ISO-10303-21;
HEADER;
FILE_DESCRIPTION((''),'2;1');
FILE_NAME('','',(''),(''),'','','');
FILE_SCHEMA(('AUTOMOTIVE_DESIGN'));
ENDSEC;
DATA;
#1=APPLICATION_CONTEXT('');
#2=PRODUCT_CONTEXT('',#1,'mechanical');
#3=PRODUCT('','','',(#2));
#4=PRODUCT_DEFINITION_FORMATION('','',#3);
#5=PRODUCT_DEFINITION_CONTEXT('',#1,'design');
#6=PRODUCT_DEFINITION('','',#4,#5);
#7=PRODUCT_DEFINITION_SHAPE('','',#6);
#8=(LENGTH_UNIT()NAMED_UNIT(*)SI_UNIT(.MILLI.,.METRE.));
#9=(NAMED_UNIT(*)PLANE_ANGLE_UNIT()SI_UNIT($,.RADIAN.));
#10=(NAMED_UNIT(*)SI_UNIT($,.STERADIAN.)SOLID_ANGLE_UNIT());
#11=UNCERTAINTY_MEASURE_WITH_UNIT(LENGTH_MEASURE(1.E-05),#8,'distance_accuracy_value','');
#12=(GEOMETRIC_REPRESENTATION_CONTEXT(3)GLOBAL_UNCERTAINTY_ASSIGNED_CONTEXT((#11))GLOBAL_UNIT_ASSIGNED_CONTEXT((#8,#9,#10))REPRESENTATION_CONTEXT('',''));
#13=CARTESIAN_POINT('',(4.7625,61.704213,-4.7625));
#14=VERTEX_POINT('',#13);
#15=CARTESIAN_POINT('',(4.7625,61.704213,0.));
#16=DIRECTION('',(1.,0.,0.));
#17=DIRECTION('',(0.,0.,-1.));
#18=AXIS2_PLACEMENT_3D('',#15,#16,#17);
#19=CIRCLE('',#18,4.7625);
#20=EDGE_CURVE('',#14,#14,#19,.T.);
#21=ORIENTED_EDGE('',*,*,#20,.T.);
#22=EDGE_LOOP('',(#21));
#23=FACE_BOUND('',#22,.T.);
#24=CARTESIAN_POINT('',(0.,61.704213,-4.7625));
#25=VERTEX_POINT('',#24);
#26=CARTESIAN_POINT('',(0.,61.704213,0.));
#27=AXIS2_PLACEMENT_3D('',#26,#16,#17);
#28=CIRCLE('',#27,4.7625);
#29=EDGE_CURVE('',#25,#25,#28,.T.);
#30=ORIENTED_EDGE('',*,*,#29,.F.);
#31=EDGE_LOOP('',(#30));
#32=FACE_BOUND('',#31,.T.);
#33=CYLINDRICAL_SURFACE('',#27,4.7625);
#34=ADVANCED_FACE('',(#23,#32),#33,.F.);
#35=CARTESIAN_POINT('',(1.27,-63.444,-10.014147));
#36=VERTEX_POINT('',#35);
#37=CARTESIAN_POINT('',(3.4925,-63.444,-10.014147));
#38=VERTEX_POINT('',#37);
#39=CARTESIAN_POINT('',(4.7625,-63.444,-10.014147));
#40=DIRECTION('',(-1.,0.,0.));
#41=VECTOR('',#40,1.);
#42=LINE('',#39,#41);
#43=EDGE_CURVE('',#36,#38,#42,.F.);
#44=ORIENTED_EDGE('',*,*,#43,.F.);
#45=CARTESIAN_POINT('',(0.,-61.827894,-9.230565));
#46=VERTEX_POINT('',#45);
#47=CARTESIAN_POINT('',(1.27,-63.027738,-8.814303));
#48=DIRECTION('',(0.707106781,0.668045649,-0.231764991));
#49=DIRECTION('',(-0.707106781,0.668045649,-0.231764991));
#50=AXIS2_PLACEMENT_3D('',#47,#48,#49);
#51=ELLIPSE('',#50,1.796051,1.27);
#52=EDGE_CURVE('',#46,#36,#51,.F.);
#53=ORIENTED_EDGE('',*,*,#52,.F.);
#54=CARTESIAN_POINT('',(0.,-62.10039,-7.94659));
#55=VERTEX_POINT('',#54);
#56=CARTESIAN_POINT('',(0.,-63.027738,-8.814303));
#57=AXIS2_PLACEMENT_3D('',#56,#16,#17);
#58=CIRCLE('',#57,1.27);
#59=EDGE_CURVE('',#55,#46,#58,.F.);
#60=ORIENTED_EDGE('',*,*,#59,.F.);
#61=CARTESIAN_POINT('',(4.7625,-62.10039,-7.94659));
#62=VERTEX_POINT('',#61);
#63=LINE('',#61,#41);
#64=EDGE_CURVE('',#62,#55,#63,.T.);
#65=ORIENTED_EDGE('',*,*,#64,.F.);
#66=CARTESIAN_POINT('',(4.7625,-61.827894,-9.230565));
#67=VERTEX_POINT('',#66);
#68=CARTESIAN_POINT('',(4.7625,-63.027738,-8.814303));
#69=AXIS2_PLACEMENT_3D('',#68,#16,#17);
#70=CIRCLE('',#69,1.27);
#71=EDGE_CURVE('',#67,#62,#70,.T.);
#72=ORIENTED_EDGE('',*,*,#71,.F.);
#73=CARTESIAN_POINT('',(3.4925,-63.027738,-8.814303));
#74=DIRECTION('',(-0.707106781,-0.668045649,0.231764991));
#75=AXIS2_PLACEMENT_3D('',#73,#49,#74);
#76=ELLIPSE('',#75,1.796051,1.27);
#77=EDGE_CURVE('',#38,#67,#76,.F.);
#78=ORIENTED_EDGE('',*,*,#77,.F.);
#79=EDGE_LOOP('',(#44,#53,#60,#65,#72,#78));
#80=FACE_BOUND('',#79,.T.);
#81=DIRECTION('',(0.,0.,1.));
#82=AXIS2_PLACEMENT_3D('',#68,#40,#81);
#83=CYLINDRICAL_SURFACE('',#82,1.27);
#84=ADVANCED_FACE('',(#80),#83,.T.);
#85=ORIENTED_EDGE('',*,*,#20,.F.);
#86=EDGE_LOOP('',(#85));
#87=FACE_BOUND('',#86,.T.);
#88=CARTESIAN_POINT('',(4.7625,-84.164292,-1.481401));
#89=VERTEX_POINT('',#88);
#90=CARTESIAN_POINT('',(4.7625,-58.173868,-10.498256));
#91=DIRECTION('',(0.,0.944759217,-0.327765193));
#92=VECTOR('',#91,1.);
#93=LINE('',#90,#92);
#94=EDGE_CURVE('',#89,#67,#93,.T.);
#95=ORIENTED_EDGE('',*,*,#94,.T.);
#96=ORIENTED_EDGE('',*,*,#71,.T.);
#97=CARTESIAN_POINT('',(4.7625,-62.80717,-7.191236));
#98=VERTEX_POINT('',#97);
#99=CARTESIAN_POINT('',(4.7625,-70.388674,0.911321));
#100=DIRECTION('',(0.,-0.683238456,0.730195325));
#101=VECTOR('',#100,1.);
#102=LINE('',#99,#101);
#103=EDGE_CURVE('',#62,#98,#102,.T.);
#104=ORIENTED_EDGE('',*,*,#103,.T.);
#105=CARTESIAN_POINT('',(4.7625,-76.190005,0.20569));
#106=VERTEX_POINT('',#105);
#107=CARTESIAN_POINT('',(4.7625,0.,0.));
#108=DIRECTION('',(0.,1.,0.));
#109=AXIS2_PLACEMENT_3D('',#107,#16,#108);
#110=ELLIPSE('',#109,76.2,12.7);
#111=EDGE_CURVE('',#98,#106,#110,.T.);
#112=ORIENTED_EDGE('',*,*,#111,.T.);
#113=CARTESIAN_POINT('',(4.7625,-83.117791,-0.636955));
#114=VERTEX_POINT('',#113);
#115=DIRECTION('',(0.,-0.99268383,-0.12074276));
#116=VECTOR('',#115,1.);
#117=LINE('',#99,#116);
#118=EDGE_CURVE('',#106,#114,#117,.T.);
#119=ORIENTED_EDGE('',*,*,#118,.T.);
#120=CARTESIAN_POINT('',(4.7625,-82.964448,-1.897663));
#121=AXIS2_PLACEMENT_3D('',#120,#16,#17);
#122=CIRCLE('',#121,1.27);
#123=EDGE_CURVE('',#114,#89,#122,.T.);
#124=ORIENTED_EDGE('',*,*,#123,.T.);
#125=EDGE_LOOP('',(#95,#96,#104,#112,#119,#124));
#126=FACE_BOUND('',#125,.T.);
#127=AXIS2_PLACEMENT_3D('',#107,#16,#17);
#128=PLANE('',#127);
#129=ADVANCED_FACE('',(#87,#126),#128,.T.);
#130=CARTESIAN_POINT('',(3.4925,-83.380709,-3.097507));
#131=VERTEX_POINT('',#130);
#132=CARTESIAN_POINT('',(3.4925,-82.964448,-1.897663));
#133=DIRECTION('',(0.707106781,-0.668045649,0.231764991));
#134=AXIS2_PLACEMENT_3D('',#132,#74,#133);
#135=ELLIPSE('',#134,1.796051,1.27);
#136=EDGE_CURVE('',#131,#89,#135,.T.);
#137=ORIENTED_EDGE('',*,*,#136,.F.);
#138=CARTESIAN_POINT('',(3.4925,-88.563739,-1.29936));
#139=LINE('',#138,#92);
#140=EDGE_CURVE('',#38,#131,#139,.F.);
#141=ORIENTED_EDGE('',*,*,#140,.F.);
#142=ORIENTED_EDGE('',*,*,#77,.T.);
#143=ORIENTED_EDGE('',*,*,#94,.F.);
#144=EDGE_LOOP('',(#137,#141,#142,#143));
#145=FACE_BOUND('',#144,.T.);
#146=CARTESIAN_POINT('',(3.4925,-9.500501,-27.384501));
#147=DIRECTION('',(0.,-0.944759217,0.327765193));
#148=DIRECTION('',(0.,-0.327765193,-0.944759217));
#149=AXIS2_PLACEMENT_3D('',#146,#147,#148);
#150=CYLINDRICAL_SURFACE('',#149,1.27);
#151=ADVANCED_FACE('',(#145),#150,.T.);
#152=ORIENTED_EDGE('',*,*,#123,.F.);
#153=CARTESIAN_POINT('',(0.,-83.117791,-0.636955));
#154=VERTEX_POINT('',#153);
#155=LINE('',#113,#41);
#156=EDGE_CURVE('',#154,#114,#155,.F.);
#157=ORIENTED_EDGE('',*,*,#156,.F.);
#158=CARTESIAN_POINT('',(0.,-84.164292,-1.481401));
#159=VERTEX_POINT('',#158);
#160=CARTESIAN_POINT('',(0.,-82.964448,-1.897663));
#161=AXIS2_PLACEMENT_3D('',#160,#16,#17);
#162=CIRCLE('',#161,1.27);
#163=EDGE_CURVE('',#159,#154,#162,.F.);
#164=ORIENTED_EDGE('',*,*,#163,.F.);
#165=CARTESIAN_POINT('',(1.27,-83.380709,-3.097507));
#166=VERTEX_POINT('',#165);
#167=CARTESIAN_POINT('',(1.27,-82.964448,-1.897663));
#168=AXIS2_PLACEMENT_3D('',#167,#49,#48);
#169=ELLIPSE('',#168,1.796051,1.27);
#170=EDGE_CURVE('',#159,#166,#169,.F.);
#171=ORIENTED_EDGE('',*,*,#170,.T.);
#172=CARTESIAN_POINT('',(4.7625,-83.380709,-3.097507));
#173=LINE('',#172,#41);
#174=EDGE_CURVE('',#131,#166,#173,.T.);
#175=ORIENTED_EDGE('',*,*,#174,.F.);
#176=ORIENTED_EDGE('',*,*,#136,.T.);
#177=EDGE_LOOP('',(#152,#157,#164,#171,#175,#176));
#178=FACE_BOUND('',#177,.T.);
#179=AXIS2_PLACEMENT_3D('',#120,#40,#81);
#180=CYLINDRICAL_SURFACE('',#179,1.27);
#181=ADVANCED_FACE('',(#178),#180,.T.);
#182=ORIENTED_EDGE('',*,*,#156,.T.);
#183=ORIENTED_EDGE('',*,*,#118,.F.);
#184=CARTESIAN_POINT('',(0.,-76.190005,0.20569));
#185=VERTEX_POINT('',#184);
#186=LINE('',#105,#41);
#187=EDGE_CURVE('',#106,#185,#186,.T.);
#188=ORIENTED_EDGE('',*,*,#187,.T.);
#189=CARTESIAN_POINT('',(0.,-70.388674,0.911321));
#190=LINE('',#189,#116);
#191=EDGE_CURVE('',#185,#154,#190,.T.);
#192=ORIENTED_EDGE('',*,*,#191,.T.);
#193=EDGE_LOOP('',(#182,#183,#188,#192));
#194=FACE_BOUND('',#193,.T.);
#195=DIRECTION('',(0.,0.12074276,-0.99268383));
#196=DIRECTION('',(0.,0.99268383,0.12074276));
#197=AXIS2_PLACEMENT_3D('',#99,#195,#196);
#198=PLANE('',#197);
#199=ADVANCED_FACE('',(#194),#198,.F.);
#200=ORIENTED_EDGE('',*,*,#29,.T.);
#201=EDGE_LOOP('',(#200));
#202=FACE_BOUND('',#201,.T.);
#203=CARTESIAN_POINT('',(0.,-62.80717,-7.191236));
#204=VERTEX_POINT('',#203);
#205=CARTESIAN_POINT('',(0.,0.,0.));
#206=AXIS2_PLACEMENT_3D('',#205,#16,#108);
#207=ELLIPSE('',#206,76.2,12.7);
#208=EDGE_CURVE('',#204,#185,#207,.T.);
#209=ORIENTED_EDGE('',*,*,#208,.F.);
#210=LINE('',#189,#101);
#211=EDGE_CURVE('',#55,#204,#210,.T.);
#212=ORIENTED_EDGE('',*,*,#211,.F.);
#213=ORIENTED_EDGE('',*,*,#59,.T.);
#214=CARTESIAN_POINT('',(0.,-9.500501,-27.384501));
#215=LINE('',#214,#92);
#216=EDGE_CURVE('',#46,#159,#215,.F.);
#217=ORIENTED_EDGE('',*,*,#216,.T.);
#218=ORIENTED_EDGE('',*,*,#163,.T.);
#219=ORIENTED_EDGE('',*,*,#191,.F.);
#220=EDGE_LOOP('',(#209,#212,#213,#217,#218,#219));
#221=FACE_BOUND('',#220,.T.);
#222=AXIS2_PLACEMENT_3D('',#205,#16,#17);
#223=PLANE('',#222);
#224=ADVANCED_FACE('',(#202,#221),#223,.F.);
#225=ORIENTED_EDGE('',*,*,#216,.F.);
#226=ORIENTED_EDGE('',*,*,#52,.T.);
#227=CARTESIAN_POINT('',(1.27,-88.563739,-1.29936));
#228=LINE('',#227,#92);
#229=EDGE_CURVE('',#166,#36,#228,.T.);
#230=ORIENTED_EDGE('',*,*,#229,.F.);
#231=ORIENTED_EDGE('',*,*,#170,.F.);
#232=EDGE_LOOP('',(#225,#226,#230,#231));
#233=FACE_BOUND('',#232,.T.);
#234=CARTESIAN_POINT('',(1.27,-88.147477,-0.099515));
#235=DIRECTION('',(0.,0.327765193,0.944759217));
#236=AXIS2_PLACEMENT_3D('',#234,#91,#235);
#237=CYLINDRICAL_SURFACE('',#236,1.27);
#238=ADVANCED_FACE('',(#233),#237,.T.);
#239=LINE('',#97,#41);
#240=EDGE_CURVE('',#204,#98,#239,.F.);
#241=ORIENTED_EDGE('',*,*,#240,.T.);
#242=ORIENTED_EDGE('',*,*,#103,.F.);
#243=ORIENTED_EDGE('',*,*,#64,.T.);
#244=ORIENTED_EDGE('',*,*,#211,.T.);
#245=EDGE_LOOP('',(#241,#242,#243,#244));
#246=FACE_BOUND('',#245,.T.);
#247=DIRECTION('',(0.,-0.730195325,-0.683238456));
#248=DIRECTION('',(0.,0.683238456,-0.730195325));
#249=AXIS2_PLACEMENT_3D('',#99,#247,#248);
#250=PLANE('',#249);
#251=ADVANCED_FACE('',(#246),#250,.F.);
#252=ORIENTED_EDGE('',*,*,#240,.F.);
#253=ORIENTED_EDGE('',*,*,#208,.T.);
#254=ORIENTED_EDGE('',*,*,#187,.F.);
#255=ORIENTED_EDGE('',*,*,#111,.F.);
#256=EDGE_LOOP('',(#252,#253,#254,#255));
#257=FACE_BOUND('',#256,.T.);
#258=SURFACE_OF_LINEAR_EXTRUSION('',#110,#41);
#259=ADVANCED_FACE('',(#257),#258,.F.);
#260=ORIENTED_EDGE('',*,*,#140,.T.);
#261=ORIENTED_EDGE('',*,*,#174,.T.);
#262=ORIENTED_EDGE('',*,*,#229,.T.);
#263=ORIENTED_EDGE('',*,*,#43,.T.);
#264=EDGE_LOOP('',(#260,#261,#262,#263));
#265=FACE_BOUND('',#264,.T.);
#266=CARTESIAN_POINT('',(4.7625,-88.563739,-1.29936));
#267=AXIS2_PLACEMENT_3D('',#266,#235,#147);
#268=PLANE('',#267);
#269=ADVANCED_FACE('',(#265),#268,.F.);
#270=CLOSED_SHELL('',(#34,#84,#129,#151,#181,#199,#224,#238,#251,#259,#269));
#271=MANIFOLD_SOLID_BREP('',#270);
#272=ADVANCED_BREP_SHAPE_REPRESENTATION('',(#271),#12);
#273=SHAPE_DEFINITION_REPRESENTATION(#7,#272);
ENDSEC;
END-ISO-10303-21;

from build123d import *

# Parameters (mm, degrees)
SKETCH1_RX          = 76.2
SKETCH1_RY          = 12.7
BOSS_EXTRUDE1_DEPTH = 4.7625
BOSS_EXTRUDE2_DEPTH = 4.7625
FILLET7_R           = 1.27
SKETCH3_R           = 4.7625
CUT_EXTRUDE1_DEPTH  = 5.7625001


with BuildPart() as part:
    # Sketch1 → Boss-Extrude1 (new body)
    with BuildSketch(Plane(origin=(0, 0, 0), x_dir=(0, 0, -1), z_dir=(1, 0, 0))):
        with Locations(Location((0, 0), (0, 0, 90))):
            Ellipse(SKETCH1_RX, SKETCH1_RY)
    extrude(amount=BOSS_EXTRUDE1_DEPTH)

    # Sketch2 → Boss-Extrude2 (add)
    with BuildSketch(Plane(origin=(0, 0, 0), x_dir=(0, 0, -1), z_dir=(1, 0, 0))):
        Polygon((-0.911321498, -70.388673766), (1.299359703, -88.563738569), (11.69809992, -58.590129834), align=None)
    extrude(amount=BOSS_EXTRUDE2_DEPTH)

    # Fillet7
    fillet7_edges = [part.edges().sort_by_distance(p)[0] for p in [
        (2.38125, -58.590129834, -11.69809992),
        (0, -73.576934201, -6.498729811),
        (2.38125, -88.563738569, -1.299359703),
        (4.7625, -73.576934201, -6.498729811),
    ]]
    fillet(fillet7_edges, radius=FILLET7_R)

    # Sketch3 → Cut-Extrude1 (cut, through all)
    with BuildSketch(Plane(origin=(4.7625, 0, 0), x_dir=(0, 0, -1), z_dir=(1, 0, 0))):
        with Locations((0, 61.704213054)):
            Circle(SKETCH3_R)
    extrude(amount=-CUT_EXTRUDE1_DEPTH, mode=Mode.SUBTRACT)


solid = part.part
